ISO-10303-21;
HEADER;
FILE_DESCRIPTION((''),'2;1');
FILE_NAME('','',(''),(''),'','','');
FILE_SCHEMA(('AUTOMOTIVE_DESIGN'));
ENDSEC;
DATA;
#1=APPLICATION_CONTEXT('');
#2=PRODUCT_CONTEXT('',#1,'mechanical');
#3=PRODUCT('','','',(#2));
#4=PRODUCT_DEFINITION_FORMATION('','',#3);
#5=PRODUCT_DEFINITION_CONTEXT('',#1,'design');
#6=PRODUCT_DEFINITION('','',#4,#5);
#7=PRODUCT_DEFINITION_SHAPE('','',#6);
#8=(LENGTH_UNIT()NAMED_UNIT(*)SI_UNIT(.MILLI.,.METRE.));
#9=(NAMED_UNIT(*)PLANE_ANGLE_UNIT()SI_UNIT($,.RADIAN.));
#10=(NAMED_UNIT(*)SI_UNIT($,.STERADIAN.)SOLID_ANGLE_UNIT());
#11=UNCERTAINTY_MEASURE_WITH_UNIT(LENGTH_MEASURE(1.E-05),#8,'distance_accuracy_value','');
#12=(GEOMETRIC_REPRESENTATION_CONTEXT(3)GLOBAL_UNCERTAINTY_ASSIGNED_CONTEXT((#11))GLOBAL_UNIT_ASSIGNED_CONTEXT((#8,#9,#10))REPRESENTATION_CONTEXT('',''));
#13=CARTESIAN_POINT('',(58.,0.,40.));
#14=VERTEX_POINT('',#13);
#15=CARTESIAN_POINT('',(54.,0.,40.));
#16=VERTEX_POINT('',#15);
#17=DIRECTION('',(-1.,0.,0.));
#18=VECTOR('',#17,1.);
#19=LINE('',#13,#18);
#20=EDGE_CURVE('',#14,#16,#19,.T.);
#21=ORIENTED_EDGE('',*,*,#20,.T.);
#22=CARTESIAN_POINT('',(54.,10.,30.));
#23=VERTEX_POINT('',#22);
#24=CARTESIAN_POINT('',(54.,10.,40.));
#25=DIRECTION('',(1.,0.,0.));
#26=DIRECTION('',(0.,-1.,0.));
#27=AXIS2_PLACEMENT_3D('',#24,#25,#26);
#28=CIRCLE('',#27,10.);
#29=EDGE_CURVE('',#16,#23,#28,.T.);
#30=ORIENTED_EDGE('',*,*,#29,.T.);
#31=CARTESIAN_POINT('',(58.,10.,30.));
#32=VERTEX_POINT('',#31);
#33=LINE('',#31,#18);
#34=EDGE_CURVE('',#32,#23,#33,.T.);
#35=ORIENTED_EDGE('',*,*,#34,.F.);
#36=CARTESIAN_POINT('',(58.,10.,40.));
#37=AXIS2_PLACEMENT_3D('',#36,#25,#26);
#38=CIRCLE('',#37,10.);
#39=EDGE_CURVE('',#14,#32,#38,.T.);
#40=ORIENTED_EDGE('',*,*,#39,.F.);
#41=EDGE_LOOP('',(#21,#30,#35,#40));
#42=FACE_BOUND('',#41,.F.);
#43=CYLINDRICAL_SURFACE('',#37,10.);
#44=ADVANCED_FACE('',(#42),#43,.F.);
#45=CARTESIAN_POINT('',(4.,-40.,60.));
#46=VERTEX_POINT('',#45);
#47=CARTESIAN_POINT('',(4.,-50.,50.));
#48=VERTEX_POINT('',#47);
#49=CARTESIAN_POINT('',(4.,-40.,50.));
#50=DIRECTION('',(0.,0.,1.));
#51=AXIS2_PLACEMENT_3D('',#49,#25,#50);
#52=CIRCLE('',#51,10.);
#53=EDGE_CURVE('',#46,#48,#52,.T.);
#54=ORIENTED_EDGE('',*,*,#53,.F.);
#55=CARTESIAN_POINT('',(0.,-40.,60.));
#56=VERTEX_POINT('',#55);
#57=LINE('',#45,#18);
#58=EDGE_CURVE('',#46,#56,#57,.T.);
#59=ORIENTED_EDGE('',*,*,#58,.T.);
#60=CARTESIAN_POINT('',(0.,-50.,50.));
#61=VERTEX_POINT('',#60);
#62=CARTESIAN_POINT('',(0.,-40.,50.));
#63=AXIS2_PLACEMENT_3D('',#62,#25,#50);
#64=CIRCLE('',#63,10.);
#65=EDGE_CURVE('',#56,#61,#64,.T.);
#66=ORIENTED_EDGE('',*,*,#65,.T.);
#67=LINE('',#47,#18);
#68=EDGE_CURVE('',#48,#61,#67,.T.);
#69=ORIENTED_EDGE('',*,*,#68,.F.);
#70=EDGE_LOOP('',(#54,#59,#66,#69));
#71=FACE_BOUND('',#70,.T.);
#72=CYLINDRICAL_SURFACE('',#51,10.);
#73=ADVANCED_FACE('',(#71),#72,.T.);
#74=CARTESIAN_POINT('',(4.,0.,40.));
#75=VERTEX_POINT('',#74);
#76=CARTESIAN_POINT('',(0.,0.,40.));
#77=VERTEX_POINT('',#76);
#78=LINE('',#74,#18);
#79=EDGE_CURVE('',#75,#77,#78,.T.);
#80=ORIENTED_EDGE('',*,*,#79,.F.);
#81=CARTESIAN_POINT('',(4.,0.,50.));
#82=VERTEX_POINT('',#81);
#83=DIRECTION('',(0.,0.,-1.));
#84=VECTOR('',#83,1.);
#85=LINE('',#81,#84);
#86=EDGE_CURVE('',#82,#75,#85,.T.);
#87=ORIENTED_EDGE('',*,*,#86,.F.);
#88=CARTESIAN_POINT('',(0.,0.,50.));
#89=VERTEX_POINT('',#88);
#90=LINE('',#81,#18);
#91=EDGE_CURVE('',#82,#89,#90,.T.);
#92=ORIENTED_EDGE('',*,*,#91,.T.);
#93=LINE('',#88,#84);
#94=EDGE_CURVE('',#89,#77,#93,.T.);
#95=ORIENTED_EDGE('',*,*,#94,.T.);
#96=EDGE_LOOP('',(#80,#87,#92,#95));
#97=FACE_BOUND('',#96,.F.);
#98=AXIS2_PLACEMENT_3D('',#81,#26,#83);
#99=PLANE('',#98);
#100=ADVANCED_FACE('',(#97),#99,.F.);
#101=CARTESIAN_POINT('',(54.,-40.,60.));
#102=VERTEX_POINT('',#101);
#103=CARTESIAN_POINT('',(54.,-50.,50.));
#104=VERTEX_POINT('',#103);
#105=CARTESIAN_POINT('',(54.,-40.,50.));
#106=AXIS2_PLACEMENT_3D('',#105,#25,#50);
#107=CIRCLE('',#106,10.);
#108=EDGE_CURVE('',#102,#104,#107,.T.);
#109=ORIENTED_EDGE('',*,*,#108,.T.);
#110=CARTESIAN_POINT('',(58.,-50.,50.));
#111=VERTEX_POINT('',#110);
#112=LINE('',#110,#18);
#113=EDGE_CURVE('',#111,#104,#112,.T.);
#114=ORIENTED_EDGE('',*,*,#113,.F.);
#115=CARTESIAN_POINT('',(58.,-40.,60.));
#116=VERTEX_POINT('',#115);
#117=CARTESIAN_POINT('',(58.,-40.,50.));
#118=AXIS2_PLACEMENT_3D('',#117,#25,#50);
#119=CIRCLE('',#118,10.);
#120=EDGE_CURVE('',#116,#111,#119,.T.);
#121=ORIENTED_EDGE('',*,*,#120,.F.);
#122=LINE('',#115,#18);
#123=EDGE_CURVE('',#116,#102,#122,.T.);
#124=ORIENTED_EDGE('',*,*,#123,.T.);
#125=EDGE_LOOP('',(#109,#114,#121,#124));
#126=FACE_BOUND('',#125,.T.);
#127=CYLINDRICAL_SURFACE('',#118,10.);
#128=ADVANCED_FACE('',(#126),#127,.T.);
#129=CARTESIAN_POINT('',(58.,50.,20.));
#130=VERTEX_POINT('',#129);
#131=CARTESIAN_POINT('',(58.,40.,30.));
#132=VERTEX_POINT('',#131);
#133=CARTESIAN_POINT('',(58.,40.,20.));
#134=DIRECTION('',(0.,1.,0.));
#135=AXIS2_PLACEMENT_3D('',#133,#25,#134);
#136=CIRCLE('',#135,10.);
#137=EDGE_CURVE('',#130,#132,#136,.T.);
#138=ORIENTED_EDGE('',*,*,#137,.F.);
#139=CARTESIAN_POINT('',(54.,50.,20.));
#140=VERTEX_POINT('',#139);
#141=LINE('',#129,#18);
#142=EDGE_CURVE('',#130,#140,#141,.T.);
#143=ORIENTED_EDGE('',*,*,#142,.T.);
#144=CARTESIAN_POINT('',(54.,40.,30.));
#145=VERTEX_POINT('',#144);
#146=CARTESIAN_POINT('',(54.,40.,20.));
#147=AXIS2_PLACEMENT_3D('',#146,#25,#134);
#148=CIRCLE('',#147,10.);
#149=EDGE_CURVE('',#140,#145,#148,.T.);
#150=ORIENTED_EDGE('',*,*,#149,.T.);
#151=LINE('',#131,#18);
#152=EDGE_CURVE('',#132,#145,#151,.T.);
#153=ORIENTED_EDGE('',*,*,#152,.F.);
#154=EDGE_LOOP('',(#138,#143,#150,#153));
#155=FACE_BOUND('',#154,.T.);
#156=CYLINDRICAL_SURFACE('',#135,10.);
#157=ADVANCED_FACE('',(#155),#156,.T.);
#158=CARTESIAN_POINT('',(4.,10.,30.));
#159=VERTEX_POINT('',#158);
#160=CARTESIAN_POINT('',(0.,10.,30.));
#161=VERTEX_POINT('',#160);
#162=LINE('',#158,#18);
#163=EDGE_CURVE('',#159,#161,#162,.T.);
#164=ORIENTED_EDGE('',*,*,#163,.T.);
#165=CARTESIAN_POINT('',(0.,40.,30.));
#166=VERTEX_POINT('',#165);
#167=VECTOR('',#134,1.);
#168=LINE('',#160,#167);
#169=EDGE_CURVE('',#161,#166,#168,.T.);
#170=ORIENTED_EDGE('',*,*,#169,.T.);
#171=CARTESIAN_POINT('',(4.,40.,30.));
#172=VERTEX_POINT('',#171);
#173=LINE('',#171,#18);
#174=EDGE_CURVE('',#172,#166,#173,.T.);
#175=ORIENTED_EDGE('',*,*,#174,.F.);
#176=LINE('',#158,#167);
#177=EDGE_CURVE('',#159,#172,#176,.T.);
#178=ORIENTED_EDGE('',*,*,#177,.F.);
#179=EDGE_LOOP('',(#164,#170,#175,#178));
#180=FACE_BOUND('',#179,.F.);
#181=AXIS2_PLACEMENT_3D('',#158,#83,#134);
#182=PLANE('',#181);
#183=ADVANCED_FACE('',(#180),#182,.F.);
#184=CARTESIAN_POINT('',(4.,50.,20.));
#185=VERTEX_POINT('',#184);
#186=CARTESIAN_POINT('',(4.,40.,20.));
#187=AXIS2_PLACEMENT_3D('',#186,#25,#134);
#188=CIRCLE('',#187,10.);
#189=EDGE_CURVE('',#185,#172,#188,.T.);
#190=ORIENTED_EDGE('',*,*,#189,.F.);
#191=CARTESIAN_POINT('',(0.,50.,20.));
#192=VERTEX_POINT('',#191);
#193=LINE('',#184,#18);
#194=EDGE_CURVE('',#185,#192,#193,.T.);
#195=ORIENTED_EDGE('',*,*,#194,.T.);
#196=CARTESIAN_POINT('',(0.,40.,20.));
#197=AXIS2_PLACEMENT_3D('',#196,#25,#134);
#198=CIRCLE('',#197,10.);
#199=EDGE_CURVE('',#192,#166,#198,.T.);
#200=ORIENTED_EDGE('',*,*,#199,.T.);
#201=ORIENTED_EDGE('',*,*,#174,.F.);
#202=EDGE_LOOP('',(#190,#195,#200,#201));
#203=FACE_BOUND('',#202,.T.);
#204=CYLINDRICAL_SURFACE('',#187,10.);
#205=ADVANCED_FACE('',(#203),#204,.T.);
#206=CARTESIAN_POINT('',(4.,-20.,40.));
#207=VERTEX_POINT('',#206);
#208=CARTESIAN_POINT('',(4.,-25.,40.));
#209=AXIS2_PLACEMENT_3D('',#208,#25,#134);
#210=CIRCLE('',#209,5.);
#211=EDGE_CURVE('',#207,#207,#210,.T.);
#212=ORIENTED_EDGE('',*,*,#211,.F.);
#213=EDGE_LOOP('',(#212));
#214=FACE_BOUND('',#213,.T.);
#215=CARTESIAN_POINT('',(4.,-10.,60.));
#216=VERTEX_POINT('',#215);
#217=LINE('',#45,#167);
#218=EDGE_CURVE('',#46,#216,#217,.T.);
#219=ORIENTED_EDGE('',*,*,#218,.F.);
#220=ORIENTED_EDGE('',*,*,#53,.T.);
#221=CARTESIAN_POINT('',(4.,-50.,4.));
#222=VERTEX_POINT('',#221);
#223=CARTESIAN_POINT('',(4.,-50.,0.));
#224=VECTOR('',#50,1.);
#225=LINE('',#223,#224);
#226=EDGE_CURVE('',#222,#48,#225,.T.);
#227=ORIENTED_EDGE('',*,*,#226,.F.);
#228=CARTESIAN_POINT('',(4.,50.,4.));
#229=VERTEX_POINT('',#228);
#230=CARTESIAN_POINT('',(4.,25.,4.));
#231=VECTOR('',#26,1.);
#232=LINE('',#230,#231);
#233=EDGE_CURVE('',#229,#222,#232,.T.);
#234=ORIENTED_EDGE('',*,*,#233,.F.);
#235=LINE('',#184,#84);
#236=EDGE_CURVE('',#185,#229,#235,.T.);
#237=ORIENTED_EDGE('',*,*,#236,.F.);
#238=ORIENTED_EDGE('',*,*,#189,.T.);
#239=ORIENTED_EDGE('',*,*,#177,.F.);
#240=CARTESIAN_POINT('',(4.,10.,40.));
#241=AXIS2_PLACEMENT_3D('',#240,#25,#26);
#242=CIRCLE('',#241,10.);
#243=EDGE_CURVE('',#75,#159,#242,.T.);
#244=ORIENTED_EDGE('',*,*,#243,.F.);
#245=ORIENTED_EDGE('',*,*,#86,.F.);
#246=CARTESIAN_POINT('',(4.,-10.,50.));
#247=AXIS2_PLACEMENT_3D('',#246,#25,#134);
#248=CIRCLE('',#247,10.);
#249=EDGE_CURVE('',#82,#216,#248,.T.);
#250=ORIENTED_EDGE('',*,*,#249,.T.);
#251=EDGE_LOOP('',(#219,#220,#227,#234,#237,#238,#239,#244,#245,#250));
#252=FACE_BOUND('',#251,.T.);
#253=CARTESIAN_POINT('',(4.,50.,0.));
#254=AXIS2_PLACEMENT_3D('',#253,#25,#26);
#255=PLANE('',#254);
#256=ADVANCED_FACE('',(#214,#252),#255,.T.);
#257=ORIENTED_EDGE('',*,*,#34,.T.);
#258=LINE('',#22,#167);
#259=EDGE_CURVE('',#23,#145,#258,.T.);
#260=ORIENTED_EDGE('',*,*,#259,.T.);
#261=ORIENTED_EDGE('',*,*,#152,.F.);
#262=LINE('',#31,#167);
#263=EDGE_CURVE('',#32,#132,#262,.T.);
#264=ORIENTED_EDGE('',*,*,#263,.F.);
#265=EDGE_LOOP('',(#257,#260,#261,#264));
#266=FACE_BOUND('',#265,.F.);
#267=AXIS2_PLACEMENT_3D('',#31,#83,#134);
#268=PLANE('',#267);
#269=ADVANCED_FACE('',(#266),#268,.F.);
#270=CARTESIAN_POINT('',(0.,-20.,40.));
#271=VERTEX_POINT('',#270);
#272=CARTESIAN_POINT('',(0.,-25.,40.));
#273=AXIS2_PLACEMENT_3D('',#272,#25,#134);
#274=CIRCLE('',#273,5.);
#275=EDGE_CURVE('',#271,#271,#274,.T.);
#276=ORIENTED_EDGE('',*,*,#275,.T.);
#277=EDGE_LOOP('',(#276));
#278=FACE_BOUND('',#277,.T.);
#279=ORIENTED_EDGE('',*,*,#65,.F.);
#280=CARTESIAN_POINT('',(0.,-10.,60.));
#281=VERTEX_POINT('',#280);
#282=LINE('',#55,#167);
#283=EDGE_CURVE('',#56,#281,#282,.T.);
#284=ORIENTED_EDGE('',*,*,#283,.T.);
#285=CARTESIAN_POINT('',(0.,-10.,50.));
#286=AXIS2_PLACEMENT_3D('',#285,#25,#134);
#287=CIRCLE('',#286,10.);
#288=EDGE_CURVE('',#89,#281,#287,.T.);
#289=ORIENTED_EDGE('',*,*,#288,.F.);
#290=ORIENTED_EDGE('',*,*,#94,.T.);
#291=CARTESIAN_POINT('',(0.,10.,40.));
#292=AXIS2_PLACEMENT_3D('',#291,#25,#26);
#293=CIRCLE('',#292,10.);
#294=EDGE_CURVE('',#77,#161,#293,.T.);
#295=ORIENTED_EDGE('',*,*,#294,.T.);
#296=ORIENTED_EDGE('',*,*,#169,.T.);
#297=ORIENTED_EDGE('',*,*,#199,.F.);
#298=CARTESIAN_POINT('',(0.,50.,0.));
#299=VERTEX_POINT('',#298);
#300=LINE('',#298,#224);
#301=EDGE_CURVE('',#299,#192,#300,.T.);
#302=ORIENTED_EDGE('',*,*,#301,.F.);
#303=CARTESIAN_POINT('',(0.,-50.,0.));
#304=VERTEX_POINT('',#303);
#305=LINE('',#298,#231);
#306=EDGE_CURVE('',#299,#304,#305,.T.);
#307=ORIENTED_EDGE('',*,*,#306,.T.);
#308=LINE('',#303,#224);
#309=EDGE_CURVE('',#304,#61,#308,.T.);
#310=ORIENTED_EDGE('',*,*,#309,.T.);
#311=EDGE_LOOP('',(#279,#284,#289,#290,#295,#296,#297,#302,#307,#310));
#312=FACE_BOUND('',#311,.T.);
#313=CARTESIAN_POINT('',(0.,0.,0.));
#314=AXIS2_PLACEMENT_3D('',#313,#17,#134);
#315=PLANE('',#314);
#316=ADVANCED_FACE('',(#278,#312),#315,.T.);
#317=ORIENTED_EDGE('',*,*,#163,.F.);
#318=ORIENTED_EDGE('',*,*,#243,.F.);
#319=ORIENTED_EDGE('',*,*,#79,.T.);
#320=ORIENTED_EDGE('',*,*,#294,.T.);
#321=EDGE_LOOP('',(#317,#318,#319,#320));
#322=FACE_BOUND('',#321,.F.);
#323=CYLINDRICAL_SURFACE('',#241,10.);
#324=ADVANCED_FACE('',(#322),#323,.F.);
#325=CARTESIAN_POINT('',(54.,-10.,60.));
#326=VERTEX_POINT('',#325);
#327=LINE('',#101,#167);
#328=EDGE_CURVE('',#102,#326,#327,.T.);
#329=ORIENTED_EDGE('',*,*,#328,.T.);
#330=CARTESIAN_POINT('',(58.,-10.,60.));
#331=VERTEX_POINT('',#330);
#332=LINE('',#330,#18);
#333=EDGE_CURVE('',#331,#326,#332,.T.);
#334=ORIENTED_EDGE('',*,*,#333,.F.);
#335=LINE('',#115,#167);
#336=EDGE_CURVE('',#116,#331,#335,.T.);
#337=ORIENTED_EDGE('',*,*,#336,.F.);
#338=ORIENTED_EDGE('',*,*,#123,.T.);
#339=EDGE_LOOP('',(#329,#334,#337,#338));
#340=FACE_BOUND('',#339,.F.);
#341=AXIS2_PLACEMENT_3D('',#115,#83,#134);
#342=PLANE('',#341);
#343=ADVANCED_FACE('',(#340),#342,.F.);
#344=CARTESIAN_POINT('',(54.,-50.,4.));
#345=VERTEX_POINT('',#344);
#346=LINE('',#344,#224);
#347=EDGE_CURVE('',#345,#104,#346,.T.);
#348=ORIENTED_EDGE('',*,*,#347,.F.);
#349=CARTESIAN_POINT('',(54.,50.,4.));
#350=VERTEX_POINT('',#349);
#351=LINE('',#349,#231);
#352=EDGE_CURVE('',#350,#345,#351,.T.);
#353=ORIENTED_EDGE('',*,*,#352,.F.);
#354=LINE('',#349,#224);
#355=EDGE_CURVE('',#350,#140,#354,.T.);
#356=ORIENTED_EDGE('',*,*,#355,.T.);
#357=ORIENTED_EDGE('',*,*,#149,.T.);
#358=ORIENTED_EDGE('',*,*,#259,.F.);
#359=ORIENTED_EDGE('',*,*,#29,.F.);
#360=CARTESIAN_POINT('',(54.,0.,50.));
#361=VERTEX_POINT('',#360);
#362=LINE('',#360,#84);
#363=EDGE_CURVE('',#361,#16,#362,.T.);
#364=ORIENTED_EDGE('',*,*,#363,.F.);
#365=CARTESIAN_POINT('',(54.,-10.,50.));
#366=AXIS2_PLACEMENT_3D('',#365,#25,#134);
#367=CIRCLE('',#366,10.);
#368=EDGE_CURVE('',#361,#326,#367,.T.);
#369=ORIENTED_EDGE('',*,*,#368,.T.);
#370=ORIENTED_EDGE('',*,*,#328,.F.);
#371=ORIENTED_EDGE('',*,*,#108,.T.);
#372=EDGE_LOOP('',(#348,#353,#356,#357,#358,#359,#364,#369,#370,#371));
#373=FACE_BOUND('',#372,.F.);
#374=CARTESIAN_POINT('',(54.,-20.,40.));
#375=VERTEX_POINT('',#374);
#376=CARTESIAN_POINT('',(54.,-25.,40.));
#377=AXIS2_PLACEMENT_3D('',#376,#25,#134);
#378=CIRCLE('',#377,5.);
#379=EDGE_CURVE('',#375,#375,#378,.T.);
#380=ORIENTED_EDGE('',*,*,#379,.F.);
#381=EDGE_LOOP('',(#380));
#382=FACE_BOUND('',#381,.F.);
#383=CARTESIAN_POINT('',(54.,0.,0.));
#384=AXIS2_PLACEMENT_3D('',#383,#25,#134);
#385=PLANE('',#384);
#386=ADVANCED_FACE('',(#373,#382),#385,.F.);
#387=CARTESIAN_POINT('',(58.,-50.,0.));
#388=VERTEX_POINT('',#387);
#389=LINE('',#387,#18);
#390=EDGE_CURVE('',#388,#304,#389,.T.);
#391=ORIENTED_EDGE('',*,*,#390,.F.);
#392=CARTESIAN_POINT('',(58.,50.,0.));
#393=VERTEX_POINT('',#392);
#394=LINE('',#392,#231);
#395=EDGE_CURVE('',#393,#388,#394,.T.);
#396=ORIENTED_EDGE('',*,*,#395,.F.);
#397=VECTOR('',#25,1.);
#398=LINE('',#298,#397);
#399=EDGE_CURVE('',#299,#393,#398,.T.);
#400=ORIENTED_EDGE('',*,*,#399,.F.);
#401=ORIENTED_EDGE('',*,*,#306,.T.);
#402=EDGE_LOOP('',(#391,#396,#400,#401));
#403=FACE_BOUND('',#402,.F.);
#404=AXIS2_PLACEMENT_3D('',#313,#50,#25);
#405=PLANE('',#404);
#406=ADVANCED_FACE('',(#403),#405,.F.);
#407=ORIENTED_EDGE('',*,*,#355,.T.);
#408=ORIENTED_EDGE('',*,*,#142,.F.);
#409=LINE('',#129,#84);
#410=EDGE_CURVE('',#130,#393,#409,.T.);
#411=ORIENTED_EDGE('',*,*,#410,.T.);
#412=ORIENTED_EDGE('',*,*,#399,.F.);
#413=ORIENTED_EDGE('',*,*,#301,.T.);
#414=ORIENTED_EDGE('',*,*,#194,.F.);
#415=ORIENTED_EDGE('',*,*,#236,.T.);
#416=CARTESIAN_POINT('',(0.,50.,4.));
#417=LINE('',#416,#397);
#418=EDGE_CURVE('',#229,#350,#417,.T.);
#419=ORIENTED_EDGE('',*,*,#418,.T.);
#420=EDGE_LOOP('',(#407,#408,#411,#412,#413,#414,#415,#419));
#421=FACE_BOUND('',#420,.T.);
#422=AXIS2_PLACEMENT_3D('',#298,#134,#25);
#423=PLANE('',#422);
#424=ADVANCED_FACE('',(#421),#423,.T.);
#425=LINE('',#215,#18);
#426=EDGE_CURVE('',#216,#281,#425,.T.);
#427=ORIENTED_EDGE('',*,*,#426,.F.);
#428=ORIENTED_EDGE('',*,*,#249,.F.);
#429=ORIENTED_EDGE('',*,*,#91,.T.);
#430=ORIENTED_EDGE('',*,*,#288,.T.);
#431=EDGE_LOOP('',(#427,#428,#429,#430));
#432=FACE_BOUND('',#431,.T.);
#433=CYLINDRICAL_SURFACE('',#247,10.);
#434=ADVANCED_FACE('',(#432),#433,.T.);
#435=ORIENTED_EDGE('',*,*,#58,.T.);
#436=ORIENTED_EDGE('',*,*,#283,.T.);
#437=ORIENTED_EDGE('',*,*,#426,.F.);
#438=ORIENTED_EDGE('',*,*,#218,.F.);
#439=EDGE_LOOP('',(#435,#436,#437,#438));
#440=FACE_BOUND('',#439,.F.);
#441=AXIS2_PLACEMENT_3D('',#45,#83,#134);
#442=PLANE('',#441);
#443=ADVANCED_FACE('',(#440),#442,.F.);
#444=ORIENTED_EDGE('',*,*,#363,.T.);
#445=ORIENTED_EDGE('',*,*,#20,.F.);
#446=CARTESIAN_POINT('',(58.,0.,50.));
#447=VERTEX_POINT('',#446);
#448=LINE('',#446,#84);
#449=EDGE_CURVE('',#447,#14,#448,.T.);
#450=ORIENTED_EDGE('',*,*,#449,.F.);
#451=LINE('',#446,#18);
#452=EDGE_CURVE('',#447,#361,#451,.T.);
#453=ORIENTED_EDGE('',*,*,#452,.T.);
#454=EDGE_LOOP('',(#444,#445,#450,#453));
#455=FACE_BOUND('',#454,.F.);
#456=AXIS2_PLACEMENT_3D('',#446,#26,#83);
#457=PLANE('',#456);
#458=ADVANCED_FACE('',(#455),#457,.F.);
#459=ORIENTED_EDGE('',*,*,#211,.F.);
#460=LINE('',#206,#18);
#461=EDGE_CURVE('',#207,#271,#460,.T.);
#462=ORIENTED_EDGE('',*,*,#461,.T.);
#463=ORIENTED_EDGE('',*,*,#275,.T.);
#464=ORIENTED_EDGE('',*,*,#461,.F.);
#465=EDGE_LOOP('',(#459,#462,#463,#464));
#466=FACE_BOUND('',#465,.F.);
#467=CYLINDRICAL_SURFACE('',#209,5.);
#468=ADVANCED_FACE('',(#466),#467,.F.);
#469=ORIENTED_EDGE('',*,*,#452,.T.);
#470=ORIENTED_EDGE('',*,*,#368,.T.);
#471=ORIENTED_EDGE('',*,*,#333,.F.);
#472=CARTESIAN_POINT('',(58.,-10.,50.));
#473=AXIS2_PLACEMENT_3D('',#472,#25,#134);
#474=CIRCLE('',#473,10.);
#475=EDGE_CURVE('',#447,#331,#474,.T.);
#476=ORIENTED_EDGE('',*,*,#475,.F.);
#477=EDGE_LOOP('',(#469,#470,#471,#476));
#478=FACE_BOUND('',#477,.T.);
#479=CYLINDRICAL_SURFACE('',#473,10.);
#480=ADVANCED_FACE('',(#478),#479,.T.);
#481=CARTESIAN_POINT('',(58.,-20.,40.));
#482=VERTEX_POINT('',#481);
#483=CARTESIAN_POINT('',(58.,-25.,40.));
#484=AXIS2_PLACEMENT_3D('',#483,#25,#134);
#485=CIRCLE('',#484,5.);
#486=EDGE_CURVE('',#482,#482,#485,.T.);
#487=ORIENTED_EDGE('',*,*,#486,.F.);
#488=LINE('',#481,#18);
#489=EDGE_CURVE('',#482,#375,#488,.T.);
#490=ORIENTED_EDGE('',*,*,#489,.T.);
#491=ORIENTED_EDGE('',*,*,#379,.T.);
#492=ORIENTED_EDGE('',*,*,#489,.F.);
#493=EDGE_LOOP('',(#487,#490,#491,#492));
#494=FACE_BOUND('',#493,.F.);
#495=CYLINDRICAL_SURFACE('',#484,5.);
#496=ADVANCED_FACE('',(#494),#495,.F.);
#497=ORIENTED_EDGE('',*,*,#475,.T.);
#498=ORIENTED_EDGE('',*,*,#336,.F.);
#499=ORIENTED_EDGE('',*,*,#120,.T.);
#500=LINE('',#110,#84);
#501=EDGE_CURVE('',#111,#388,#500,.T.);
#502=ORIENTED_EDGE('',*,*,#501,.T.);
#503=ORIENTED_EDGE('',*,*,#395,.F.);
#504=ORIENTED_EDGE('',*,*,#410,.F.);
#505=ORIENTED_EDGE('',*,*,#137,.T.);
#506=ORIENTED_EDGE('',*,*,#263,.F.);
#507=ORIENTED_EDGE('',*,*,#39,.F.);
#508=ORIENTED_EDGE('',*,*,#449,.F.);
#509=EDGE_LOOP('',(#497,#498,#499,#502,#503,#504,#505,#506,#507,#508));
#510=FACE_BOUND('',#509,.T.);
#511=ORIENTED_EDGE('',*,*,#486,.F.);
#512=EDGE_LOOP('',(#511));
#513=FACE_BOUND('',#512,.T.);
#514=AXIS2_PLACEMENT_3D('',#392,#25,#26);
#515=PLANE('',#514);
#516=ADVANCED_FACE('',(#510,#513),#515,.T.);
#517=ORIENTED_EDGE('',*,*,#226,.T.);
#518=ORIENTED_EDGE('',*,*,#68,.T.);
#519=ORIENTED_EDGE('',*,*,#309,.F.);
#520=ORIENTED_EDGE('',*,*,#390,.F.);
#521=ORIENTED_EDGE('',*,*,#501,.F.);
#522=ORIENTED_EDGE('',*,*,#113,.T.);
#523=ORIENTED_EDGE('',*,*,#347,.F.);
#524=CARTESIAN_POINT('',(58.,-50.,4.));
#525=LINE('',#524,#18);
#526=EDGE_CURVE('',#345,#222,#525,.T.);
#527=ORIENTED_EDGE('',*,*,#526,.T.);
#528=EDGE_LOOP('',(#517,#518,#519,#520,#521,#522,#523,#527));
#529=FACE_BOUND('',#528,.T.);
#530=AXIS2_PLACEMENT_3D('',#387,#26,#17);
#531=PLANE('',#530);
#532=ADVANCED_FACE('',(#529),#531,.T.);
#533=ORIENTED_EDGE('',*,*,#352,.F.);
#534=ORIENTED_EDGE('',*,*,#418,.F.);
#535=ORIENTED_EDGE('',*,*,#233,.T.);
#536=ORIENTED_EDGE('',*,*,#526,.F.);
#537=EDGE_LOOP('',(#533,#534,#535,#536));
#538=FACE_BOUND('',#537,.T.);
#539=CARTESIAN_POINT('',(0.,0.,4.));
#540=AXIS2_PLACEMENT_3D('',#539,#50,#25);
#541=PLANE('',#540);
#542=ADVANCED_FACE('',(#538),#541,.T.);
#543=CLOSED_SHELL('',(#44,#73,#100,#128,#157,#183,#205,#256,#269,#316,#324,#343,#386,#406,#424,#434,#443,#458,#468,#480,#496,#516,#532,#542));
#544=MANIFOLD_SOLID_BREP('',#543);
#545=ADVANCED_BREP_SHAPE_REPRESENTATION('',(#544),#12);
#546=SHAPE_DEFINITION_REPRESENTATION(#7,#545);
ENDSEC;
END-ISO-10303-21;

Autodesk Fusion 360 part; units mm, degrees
sketch "Boceto1" plane through (0, 0, 0) normal (0, 0, 1) x (1, 0, 0)
  line L0 (0, 0) -> (0, 50)
  line L1 (0, 0) -> (0, -50)
  line L2 (0, 50) -> (58, 50)
  line L3 (58, 50) -> (58, -50)
  line L4 (58, -50) -> (0, -50)
extrude "Extruir1" add sketch "Boceto1" along normal blind 4 makes body 1
sketch "Boceto2" plane through (0, 0, 0) normal (0, 1, 0) x (1, 0, 0)
sketch "Boceto3" plane through (58, 0, 0) normal (1, 0, 0) x (0, 1, 0)
  line L0 (-50, 0) -> (50, 0)
  line L1 (50, 0) -> (50, 4)
  line L2 (50, 4) -> (-50, 4)
  line L3 (-50, 4) -> (-50, 0)
  line L4 (-50, 4) -> (-50, 50)
  line L5 (50, 4) -> (50, 20)
  line L6 (-40, 60) -> (-10, 60)
  line L7 (0, 50) -> (0, 40)
  line L8 (10, 30) -> (40, 30)
  arc A0 (-40, 60) -> (-50, 50) centre (-40, 50) ccw
  arc A1 (0, 50) -> (-10, 60) centre (-10, 50) ccw
  arc A2 (0, 40) -> (10, 30) centre (10, 40) ccw
  arc A3 (50, 20) -> (40, 30) centre (40, 20) ccw
  circle A4 centre (-25, 40) radius 5
  dimension "d8" = 10
  dimension "d9" = 10
extrude "Extruir2" add sketch "Boceto3" against normal blind 4 contours L2 L4 L5 L6 L7 L8 A0 A1 A2 A3 | A4 bodies 1
extrude "Extruir3" cut sketch "Boceto3" against normal blind 15 contours A4 bodies 1
split "Dividir1" by plane through (0, 0, 4) normal (0, 0, 1) bodies 1 makes body 2 at (54, 2.859, 12.7006)
copy_body "CopiarPegarCuerpos1" bodies 2 makes body 3
move_body "Desplazar1" bodies 3 to x (1, 0, 0) y (0, 1, 0) z (0, 0, 1) at (-54, 0, 0)
combine "Combinar1" operation add target body 2 tool bodies 3 1
